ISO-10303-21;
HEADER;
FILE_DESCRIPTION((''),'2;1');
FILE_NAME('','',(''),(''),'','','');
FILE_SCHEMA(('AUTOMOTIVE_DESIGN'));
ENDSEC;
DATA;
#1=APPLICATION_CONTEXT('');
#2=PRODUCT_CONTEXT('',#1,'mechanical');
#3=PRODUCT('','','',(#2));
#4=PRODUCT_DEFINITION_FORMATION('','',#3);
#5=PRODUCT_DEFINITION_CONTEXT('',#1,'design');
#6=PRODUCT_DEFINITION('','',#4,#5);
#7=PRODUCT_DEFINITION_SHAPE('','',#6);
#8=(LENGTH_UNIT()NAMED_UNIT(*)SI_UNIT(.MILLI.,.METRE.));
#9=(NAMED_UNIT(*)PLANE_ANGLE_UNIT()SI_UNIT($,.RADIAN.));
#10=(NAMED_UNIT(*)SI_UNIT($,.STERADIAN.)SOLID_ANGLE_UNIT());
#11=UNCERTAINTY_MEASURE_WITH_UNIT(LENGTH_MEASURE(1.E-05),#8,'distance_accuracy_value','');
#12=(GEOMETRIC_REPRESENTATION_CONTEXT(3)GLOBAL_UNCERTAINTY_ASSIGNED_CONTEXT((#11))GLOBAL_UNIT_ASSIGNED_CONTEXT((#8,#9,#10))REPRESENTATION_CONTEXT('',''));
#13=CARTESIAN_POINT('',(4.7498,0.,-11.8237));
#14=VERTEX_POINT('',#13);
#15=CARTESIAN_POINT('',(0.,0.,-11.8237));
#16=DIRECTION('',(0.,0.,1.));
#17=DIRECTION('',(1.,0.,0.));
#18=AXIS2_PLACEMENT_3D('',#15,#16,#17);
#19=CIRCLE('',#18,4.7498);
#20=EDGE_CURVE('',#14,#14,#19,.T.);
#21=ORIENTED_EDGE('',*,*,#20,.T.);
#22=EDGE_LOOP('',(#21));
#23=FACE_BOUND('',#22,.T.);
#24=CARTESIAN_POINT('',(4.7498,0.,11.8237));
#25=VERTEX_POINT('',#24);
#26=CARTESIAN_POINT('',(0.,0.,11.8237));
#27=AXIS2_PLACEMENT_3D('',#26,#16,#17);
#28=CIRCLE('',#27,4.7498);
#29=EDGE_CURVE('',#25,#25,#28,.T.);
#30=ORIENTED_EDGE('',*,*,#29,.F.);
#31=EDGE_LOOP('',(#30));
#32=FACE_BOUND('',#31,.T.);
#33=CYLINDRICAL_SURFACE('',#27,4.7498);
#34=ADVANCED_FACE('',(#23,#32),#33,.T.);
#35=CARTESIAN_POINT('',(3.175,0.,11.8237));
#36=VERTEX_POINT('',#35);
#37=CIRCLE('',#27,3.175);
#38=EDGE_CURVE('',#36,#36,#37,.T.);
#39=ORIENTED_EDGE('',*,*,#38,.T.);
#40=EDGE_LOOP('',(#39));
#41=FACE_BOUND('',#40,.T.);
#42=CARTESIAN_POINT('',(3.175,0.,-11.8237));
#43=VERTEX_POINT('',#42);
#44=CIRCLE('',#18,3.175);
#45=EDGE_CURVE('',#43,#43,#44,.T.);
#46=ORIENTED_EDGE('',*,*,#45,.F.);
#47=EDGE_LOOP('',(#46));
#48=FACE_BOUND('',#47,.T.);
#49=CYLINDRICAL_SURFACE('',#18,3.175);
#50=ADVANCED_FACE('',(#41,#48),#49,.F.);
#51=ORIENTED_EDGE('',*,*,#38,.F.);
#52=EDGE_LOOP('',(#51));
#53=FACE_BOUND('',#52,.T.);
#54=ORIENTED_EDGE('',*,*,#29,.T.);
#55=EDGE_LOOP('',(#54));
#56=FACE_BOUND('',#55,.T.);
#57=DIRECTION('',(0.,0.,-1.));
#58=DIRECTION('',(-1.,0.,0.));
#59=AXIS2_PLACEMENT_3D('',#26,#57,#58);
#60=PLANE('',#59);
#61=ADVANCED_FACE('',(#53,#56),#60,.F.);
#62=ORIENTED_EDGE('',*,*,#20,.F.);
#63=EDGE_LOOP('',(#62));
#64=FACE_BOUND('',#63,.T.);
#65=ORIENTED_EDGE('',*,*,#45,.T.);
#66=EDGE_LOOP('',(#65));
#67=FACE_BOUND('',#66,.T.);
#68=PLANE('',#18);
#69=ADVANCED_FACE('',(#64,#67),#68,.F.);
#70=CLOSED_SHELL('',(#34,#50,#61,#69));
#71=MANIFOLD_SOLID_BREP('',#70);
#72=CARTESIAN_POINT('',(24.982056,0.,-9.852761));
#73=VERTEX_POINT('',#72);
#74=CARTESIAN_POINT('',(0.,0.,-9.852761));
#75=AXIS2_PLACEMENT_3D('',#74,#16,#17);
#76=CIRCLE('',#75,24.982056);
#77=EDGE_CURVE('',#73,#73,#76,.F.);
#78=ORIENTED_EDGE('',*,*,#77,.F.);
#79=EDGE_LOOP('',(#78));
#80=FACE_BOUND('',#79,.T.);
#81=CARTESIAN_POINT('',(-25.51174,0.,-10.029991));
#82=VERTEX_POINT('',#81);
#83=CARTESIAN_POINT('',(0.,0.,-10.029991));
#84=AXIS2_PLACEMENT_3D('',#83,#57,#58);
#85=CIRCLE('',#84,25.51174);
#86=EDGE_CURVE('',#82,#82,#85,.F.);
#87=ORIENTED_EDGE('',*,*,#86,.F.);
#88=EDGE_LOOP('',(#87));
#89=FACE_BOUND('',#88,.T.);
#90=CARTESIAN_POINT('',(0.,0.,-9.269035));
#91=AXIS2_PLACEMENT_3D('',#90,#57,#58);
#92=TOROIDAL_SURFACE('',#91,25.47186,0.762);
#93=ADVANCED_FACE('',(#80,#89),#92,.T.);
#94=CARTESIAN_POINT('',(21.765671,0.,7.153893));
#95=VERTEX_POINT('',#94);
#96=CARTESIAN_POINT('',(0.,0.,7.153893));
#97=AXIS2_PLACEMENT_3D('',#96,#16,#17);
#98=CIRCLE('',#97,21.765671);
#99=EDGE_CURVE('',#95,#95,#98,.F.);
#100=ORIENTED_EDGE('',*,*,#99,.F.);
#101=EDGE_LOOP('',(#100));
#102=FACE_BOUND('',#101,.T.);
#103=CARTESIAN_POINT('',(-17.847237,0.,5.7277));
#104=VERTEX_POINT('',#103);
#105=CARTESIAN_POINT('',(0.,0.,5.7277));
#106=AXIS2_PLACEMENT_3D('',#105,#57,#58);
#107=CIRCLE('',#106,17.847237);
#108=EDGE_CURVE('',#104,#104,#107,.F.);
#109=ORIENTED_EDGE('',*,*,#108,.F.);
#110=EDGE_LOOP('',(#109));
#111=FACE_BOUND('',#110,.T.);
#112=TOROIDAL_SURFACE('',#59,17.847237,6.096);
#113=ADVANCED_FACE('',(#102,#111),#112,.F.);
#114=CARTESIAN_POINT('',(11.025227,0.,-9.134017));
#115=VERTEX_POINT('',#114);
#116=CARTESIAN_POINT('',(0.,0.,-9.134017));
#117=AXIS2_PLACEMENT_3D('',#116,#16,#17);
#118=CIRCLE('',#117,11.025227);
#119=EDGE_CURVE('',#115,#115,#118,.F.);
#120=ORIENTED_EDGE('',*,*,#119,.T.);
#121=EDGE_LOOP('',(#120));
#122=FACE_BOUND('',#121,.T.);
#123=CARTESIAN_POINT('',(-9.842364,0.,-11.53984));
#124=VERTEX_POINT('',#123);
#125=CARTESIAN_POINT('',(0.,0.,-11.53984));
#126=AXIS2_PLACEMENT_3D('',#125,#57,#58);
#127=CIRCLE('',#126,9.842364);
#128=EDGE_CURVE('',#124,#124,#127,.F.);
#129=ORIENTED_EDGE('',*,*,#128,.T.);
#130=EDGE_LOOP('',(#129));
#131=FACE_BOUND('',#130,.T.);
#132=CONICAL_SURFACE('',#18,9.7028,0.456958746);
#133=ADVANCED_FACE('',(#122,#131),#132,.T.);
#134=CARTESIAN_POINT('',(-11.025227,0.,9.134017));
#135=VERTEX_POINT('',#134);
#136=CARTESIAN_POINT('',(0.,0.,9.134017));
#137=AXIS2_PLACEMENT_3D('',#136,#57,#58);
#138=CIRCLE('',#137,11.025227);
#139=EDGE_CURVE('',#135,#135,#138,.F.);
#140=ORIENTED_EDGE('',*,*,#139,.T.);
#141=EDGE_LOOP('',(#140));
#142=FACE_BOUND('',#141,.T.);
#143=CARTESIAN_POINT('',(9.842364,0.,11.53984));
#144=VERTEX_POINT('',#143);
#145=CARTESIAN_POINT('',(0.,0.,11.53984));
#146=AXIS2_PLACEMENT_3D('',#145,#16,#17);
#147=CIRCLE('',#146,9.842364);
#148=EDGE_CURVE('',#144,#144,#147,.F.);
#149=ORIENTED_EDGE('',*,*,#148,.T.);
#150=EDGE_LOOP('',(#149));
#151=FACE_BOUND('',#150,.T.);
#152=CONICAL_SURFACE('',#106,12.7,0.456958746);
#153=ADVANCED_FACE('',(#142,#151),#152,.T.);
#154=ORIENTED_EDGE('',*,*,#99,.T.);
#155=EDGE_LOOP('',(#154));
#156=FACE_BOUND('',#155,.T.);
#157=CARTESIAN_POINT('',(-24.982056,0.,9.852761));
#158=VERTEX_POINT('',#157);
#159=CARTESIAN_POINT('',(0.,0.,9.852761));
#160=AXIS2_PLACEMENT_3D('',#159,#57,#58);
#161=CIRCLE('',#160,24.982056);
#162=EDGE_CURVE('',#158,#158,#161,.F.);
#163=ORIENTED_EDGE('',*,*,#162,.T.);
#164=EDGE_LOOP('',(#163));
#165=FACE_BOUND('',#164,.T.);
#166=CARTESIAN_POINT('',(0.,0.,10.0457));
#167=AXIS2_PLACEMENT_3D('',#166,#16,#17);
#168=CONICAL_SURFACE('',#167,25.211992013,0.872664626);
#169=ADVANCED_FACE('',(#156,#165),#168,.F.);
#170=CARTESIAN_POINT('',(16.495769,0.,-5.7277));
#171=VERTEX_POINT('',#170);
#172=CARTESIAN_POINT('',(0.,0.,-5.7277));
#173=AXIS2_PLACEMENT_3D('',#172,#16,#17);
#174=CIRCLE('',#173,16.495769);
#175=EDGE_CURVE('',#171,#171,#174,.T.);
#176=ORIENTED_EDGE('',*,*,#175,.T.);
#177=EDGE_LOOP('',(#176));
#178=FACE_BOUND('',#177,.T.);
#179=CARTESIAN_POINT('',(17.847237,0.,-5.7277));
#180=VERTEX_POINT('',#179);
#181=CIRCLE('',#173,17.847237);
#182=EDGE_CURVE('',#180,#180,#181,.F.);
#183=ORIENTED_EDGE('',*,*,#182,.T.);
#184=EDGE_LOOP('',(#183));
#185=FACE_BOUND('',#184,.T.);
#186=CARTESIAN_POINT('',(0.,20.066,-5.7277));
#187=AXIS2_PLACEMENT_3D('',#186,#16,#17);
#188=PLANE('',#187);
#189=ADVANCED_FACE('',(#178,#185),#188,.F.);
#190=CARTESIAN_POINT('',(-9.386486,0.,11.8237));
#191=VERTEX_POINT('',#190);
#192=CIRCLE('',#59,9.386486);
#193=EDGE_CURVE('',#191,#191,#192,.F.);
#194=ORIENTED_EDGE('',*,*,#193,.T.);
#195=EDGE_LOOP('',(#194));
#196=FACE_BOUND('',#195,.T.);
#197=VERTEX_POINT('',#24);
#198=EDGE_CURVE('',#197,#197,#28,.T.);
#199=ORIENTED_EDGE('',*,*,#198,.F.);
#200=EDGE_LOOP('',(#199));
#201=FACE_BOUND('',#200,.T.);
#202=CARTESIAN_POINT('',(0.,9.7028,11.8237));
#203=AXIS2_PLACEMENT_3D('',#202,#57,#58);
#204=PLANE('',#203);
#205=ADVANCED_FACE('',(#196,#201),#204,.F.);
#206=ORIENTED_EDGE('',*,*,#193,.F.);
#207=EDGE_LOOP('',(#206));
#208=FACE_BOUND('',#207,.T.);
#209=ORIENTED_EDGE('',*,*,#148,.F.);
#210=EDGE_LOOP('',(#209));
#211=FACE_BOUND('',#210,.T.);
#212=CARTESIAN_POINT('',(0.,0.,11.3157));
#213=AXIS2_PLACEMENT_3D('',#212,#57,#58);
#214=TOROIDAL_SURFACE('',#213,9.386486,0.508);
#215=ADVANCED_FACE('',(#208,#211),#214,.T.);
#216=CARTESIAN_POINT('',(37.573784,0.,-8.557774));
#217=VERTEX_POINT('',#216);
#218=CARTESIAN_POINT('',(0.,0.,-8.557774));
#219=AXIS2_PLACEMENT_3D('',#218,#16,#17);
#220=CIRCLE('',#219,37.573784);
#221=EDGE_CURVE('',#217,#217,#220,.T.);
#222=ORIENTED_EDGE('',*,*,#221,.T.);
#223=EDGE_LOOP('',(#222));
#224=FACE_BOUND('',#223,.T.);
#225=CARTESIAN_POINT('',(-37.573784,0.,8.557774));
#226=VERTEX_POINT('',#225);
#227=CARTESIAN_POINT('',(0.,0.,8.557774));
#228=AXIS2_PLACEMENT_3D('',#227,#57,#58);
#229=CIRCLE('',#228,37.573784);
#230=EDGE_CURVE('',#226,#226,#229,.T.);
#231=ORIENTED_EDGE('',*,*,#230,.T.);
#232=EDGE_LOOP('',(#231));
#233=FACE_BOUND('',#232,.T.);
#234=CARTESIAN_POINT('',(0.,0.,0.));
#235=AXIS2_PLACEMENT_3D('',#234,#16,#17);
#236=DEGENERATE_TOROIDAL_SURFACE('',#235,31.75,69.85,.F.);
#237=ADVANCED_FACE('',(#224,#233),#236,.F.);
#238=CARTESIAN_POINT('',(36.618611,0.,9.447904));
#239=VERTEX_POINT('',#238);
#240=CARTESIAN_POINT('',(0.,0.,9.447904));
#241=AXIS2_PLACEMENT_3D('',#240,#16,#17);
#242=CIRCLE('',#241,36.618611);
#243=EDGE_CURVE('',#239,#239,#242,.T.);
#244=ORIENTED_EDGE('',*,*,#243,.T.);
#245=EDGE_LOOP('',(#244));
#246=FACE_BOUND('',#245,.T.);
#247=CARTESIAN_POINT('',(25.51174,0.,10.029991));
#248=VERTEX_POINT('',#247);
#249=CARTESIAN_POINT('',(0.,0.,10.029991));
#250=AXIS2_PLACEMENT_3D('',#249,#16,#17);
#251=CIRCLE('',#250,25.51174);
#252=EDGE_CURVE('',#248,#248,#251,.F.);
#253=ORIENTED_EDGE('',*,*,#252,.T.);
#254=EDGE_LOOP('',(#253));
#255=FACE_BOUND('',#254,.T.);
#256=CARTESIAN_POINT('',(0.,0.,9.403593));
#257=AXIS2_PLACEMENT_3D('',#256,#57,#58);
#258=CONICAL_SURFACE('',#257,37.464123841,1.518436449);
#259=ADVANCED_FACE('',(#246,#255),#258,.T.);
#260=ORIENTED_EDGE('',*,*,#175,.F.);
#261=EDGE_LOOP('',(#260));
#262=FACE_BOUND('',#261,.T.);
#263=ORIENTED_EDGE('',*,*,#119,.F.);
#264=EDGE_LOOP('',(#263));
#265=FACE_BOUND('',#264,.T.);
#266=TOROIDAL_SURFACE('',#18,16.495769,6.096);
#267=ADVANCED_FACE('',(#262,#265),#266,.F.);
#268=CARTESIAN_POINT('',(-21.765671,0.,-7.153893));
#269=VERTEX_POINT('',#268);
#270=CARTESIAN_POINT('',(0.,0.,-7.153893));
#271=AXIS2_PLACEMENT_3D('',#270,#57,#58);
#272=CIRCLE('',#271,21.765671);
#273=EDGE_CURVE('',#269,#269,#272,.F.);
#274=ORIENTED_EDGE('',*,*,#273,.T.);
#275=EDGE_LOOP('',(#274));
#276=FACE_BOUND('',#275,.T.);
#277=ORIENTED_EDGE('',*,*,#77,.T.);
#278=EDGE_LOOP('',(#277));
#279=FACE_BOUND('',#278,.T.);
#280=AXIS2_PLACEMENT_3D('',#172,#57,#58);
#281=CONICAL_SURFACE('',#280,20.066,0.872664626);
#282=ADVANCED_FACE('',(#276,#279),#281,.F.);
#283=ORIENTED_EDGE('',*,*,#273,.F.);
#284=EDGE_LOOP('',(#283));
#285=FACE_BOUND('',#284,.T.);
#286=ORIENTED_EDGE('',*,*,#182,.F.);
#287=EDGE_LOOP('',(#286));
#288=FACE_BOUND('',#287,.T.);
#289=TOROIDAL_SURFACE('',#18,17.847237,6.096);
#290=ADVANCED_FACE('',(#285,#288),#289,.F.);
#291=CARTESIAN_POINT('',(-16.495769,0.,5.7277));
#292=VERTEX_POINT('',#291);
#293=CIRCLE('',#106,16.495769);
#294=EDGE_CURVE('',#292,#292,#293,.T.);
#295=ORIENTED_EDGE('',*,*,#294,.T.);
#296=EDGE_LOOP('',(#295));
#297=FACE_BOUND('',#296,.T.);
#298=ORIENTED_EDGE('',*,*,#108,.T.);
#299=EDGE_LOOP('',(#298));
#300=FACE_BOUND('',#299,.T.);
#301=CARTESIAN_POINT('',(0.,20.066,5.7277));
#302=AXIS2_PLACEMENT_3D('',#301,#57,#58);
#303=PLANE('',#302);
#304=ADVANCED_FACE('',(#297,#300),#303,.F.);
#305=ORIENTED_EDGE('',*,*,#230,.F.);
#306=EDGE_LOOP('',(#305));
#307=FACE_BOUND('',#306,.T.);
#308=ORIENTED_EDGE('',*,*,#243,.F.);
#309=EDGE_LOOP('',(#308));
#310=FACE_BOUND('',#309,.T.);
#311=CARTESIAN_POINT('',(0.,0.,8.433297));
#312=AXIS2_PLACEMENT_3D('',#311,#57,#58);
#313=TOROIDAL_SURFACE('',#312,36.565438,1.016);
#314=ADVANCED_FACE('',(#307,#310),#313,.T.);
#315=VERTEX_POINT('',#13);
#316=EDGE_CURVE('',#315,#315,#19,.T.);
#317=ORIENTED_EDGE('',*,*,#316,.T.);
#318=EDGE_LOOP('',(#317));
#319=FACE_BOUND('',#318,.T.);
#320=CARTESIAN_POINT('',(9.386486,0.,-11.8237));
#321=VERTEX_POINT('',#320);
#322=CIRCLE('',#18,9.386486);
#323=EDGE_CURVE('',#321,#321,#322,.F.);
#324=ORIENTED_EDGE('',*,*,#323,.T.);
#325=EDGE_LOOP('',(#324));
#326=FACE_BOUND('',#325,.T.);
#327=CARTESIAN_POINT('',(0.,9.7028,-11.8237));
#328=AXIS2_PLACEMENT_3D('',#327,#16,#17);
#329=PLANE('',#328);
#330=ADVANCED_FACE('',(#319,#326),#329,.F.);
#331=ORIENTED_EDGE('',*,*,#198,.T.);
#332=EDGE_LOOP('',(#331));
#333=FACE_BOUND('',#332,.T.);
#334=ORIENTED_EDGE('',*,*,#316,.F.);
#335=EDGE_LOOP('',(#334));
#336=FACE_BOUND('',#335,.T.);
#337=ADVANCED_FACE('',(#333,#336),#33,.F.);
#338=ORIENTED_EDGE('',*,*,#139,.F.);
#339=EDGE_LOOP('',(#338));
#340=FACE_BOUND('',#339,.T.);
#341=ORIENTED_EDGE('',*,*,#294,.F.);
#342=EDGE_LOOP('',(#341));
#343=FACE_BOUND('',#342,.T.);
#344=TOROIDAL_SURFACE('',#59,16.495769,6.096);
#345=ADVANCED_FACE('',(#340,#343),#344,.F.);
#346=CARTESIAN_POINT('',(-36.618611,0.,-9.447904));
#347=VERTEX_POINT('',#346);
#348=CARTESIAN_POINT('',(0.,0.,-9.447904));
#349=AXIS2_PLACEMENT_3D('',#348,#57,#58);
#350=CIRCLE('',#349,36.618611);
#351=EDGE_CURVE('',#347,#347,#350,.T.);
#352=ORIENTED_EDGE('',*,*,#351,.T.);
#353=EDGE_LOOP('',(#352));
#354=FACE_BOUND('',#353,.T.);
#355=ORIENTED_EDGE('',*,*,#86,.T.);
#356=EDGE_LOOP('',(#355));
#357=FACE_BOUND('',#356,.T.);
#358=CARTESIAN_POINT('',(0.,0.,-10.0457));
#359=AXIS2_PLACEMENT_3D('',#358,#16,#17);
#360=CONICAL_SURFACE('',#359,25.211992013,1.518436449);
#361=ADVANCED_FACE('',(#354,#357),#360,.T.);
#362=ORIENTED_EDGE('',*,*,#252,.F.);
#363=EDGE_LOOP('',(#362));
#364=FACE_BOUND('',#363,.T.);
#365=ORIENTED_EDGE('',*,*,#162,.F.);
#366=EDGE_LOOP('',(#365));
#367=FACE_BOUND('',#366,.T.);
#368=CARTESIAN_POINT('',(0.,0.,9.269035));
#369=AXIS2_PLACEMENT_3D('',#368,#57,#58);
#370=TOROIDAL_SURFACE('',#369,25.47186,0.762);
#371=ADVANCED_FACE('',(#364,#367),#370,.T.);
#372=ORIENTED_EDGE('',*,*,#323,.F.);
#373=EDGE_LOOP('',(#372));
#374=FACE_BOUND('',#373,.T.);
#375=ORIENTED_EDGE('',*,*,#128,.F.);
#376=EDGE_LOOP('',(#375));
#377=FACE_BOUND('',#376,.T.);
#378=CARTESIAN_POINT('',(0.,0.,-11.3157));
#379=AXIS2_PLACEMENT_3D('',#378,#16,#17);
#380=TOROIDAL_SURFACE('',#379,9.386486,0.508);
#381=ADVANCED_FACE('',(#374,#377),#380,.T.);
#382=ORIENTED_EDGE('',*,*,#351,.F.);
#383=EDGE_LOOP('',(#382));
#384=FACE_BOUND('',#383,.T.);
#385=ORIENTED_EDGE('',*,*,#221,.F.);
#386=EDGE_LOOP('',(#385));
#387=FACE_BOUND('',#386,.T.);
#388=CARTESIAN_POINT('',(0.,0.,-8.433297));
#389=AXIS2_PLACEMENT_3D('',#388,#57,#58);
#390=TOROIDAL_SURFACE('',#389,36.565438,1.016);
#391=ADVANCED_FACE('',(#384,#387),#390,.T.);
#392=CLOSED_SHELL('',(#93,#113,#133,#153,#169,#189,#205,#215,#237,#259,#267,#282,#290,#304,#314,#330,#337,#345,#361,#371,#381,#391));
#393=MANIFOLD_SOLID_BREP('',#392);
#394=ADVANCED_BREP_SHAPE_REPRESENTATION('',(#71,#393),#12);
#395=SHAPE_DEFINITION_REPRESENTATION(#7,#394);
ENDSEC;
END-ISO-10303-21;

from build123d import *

# Parameters (mm, degrees)
SKETCH3_W               = 23.6474
SKETCH3_H               = 4.7498
SKETCH6_W               = 23.6474
SKETCH6_H               = 4.7498
CUT_EXTRUDE1_DEPTH      = 56.163574004
CUT_EXTRUDE1_DEPTH_BACK = 56.163574004
SKETCH4_R               = 3.175
FILLET1_R               = 1.016
FILLET2_R               = 6.096
FILLET3_R               = 0.762
FILLET4_R               = 0.508


with BuildPart() as part:
    # Sketch2 → Revolve1 (revolve)
    with BuildSketch(Plane(origin=(0, 0, 0), x_dir=(0, 0, -1), z_dir=(1, 0, 0))):
        with BuildLine():
            Line((10.0457, 25.211992013), (5.7277, 20.066))
            Line((5.7277, 20.066), (5.7277, 12.7))
            Line((5.7277, 12.7), (11.8237, 9.7028))
            Line((11.8237, 9.7028), (11.8237, 0))
            Line((11.8237, 0), (-11.8237, 0))
            Line((-11.8237, 0), (-11.8237, 9.7028))
            Line((-11.8237, 9.7028), (-5.7277, 12.7))
            Line((-5.7277, 12.7), (-5.7277, 20.066))
            Line((-5.7277, 20.066), (-10.0457, 25.211992013))
            Line((-10.0457, 25.211992013), (-9.403592979, 37.464123841))
            ThreePointArc((-9.403592979, 37.464123841), (0, 38.1), (9.403592979, 37.464123841))
            Line((9.403592979, 37.464123841), (10.0457, 25.211992013))
        make_face()
    revolve(axis=Axis((0, 0, 11.8237), (0, 0, -1)))

    # Sketch6 → Cut-Revolve1 (revolve, cut)
    with BuildSketch(Plane(origin=(0, 0, 0), x_dir=(0, 0, -1), z_dir=(1, 0, 0))):
        with Locations((0, 2.3749)):
            Rectangle(SKETCH6_W, SKETCH6_H)
    revolve(axis=Axis((0, 0, 11.8237), (0, 0, -1)), mode=Mode.SUBTRACT)

    # Fillet1
    fillet1_edges = [part.edges().sort_by_distance(p)[0] for p in [
        (0, -37.464123841, 9.403592979),
        (0, -37.464123841, -9.403592979),
    ]]
    fillet(fillet1_edges, radius=FILLET1_R)

    # Fillet2
    fillet2_edges = [part.edges().sort_by_distance(p)[0] for p in [
        (0, -20.066, -5.7277),
        (0, -12.7, -5.7277),
        (0, -12.7, 5.7277),
        (0, -20.066, 5.7277),
    ]]
    fillet(fillet2_edges, radius=FILLET2_R)

    # Fillet3
    fillet3_edges = [part.edges().sort_by_distance(p)[0] for p in [
        (0, -25.211992013, 10.0457),
        (0, -25.211992013, -10.0457),
    ]]
    fillet(fillet3_edges, radius=FILLET3_R)

    # Fillet4
    fillet4_edges = [part.edges().sort_by_distance(p)[0] for p in [
        (0, -9.7028, -11.8237),
        (0, -9.7028, 11.8237),
    ]]
    fillet(fillet4_edges, radius=FILLET4_R)


with BuildPart() as body_2:
    # Sketch3 → Revolve2 (revolve)
    with BuildSketch(Plane(origin=(0, 0, 0), x_dir=(0, 0, -1), z_dir=(1, 0, 0))):
        with Locations((0, 2.3749)):
            Rectangle(SKETCH3_W, SKETCH3_H)
    revolve(axis=Axis((0, 0, 11.8237), (0, 0, -1)))

    # Sketch4 → Cut-Extrude1 (cut, two sides: drawn at the far end of the back side and taken through both)
    with BuildSketch(Plane.XY.offset(-CUT_EXTRUDE1_DEPTH_BACK)):
        Circle(SKETCH4_R)
    extrude(amount=CUT_EXTRUDE1_DEPTH + CUT_EXTRUDE1_DEPTH_BACK, mode=Mode.SUBTRACT)


solid = Compound([part.part, body_2.part])
